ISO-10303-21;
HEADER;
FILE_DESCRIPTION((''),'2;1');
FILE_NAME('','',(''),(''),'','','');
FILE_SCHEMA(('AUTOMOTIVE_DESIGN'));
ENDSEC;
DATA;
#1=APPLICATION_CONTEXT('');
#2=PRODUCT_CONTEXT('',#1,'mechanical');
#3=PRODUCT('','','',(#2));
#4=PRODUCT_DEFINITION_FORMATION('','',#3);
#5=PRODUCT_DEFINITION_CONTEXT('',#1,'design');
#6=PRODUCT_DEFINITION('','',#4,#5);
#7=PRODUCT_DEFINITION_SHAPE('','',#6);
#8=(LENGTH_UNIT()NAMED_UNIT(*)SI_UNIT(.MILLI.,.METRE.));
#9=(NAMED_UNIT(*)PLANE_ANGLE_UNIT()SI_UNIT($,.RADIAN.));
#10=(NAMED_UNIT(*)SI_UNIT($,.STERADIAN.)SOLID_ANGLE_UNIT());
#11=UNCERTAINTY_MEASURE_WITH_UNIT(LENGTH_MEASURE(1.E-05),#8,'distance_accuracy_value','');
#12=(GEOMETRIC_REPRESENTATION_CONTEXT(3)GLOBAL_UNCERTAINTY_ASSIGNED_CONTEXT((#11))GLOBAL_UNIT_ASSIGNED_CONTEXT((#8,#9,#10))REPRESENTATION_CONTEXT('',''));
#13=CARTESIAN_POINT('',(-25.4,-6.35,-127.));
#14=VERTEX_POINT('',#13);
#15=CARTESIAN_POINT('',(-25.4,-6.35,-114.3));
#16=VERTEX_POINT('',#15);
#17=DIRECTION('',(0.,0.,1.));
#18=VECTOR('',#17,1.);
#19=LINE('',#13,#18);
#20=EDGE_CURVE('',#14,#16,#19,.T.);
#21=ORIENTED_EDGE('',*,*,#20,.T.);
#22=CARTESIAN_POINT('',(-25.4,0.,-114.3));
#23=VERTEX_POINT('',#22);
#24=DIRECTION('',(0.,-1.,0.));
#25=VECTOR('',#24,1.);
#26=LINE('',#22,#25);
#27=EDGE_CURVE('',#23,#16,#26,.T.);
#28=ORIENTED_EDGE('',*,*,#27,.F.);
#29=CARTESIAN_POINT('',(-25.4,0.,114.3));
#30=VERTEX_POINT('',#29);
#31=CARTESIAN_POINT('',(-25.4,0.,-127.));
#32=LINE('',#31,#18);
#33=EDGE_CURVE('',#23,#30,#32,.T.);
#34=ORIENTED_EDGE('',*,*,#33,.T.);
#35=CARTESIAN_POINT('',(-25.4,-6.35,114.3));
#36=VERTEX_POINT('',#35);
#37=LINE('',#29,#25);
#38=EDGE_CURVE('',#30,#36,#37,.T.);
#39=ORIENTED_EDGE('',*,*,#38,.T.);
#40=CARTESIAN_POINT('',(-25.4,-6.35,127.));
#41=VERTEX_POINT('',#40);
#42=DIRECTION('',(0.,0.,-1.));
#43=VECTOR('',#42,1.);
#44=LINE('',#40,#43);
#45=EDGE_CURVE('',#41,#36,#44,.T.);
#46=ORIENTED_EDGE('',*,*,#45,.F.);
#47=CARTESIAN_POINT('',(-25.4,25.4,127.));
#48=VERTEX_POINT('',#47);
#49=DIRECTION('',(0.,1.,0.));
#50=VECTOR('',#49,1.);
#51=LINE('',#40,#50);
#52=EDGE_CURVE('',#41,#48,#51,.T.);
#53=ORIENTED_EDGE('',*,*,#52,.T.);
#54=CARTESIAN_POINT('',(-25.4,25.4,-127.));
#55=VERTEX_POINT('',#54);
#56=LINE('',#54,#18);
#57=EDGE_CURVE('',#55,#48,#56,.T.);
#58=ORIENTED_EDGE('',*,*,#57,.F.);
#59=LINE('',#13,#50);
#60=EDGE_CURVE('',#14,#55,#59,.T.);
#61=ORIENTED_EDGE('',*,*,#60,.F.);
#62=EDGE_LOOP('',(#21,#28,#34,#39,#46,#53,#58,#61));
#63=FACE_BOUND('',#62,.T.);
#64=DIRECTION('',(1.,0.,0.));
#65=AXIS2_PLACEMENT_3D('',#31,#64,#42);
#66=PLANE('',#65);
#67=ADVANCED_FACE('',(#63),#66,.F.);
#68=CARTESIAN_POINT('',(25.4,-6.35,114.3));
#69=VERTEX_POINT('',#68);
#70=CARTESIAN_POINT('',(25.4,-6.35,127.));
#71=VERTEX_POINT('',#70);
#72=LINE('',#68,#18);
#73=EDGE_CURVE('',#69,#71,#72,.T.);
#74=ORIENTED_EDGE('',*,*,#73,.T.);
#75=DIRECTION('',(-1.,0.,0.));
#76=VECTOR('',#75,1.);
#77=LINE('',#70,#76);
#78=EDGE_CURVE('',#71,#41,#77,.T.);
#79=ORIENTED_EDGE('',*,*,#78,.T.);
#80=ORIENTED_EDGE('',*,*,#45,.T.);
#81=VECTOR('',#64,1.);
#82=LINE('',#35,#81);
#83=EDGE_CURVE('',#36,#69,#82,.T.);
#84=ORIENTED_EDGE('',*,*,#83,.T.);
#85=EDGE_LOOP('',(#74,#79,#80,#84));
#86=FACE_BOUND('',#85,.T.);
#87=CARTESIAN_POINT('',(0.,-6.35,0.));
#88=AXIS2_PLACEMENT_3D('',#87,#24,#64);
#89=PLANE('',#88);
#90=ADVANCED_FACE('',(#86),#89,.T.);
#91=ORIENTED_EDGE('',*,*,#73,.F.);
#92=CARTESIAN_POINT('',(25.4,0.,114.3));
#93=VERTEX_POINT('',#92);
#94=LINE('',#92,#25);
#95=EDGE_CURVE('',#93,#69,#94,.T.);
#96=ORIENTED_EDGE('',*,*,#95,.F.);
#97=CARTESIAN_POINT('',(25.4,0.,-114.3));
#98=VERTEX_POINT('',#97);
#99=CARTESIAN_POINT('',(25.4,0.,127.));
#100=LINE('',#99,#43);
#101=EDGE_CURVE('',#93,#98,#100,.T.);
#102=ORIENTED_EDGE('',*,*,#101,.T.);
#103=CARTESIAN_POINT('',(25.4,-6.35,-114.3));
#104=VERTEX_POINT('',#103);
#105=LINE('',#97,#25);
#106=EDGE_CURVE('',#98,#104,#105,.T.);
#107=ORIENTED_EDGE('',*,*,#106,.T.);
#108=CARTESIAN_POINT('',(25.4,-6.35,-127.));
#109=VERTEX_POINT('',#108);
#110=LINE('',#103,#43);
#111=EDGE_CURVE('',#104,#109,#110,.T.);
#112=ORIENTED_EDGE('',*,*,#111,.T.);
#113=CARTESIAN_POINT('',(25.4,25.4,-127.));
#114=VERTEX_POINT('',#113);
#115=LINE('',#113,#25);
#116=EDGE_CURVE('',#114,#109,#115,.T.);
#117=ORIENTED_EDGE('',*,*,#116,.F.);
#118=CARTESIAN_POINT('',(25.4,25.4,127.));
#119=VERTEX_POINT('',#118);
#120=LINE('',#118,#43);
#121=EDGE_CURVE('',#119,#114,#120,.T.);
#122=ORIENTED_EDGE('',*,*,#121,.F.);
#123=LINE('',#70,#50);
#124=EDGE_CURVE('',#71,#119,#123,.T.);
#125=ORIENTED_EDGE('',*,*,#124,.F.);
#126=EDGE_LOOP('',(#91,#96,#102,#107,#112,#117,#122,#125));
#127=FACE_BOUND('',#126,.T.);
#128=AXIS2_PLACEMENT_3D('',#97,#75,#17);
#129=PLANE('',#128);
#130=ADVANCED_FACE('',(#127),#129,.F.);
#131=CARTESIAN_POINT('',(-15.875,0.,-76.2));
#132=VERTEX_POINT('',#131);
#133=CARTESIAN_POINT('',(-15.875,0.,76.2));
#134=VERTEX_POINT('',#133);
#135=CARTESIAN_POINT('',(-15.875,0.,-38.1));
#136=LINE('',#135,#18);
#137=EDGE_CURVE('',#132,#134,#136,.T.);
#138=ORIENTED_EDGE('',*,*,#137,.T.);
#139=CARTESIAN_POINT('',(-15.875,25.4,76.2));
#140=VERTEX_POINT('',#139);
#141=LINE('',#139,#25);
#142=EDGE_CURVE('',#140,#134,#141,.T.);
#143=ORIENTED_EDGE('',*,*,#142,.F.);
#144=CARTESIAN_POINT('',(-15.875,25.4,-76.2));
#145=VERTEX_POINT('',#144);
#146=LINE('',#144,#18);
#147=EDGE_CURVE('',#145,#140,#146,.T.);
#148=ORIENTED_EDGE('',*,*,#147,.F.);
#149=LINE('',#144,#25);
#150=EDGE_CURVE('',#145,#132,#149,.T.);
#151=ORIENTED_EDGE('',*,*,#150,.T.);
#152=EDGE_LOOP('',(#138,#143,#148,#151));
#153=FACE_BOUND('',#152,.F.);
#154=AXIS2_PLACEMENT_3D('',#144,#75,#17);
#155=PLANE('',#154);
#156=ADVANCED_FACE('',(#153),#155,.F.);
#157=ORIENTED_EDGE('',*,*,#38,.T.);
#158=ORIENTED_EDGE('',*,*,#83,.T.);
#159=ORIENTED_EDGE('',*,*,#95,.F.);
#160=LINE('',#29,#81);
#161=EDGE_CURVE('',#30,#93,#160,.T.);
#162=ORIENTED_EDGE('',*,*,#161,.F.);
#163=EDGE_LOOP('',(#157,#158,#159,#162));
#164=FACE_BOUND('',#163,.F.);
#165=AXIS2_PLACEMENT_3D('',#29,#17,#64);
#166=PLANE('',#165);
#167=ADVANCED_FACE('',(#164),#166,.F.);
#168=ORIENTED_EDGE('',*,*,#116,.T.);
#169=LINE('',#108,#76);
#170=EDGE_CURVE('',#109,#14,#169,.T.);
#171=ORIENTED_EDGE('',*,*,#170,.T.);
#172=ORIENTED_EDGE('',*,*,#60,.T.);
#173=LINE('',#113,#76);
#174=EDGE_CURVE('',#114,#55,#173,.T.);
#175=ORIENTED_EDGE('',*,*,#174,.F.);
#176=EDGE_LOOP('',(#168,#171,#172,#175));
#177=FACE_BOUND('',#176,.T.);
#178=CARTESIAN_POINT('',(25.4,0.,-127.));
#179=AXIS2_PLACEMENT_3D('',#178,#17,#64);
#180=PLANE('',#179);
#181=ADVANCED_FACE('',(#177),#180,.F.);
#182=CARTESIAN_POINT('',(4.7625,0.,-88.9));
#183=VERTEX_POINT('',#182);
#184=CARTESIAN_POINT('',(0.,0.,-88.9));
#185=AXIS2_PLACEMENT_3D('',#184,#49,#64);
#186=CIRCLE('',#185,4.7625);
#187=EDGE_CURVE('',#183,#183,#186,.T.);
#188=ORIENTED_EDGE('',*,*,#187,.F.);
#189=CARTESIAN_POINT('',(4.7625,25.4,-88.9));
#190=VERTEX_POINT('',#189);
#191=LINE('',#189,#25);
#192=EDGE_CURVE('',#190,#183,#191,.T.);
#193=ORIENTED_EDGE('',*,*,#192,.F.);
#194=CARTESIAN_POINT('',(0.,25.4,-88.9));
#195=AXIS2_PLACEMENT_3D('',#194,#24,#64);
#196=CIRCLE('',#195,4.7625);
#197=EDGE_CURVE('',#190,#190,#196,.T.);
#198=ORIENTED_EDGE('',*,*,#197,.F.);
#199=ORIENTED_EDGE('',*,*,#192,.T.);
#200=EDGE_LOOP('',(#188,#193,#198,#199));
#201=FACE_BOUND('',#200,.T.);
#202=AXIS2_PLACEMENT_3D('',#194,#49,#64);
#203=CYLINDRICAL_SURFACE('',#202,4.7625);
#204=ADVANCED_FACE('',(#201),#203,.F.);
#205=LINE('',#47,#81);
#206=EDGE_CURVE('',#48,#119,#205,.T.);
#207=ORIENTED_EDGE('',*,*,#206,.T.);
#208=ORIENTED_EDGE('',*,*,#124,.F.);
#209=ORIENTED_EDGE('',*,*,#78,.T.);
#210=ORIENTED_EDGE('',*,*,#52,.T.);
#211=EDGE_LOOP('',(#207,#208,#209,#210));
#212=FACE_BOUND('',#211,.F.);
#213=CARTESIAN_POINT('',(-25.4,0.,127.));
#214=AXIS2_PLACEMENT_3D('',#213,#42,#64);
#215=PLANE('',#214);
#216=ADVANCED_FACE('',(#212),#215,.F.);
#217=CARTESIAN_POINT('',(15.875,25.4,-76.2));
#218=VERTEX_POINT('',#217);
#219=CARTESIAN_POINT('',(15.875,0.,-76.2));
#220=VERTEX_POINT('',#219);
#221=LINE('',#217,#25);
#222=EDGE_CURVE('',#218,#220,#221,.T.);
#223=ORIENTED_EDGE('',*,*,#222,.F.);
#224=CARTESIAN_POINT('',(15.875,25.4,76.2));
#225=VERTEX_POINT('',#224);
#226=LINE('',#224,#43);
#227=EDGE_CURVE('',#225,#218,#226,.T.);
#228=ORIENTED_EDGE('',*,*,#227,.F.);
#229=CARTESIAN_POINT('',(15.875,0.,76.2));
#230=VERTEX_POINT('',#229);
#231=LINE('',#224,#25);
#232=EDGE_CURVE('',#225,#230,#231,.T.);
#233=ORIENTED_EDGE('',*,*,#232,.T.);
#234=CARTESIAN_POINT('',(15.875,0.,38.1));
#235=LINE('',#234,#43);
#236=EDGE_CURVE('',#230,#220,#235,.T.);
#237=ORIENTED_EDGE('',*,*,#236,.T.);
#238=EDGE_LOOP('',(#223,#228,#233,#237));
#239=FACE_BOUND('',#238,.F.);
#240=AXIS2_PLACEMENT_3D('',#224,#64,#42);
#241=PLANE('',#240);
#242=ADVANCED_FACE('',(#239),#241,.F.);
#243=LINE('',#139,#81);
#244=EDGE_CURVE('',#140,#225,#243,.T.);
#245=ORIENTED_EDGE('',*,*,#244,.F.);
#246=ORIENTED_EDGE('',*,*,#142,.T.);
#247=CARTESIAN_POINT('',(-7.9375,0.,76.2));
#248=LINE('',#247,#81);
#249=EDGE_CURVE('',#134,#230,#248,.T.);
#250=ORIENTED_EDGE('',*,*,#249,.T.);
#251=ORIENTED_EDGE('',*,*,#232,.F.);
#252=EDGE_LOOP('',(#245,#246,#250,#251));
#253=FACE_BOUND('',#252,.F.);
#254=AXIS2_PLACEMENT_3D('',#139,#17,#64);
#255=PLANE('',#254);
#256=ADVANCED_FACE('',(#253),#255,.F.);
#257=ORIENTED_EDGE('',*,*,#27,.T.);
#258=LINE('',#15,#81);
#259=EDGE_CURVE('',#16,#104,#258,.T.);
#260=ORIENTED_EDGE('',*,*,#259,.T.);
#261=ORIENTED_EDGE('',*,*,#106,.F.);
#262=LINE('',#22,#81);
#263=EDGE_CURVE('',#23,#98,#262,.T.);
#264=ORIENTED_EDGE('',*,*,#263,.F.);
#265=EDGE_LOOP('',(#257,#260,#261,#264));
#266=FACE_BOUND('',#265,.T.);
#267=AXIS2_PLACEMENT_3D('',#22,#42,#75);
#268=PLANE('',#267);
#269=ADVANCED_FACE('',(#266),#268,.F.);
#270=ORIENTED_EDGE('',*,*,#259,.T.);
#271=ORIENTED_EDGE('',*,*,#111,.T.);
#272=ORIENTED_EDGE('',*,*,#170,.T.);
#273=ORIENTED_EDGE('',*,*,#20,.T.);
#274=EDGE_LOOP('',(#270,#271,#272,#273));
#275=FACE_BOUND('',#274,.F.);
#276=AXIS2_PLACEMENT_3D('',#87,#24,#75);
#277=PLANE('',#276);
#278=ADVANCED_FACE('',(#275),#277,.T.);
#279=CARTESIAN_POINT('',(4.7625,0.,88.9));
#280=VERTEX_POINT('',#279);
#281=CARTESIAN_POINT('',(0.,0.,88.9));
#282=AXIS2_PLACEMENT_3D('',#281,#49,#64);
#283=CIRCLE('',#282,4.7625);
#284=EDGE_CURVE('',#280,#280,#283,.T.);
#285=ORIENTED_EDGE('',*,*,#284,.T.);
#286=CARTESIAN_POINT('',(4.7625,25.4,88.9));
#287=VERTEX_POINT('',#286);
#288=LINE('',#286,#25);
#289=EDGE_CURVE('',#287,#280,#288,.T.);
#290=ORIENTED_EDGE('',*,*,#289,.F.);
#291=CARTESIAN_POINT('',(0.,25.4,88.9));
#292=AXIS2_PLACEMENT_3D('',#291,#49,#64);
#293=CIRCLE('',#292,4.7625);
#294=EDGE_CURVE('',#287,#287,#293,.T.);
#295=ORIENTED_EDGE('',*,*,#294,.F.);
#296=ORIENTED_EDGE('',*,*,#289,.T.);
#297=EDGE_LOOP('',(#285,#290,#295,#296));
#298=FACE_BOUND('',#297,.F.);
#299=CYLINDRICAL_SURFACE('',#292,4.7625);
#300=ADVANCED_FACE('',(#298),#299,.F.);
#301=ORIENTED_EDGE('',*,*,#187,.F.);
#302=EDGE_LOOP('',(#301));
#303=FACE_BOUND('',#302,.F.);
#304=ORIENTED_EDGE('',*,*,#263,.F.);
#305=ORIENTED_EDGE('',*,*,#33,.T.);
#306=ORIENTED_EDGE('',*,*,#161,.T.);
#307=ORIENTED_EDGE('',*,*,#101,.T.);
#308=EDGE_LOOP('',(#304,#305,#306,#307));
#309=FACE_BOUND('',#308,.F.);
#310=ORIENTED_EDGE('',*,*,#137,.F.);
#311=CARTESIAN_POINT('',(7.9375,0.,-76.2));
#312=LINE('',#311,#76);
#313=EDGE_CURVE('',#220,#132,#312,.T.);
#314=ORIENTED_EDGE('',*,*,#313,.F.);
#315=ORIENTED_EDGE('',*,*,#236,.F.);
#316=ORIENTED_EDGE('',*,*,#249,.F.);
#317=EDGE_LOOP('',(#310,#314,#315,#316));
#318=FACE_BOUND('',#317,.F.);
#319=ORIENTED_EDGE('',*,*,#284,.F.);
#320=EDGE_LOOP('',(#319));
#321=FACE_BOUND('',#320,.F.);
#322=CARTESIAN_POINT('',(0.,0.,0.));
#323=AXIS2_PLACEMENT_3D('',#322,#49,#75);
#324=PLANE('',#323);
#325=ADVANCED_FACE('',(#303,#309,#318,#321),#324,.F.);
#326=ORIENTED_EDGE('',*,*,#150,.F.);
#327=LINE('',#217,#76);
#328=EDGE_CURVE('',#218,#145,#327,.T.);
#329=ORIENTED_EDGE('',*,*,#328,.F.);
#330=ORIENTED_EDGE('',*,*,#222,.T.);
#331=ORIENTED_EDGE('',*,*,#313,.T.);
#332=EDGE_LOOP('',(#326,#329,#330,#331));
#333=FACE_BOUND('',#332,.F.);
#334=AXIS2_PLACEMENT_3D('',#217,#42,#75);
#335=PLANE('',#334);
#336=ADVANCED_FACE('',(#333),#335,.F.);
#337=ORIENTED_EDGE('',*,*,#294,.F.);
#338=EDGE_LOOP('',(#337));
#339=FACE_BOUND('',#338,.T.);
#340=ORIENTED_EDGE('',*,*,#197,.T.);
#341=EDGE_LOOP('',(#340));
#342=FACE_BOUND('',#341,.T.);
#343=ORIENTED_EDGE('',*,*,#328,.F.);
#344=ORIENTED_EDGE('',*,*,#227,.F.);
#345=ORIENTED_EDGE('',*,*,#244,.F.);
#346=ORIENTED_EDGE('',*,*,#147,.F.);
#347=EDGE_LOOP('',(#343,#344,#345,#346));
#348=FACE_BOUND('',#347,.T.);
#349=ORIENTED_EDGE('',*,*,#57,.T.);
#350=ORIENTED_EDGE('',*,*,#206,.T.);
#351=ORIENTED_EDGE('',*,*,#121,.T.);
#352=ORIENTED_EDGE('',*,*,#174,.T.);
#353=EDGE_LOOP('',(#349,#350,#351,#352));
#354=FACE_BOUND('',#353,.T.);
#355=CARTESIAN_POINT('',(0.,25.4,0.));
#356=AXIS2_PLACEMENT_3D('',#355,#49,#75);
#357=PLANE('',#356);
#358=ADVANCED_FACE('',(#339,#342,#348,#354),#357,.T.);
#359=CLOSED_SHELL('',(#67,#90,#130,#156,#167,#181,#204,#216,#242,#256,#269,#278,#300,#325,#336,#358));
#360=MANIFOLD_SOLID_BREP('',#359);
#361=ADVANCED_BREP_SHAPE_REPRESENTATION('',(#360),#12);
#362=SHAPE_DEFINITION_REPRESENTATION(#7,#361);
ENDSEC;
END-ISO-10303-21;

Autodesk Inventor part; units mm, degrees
ref_plane "YZ Plane" through (0, 0, 0) normal (1, 0, 0) x (0, 1, 0)
ref_plane "XZ Plane" through (0, 0, 0) normal (0, 1, 0) x (-1, 0, 0)
sketch "Sketch1" plane through (0, 0, 0) normal (0, 1, 0) x (-1, 0, 0)
  line L0 (25.4, 127) -> (-25.4, 127)
  line L1 (-25.4, 127) -> (-25.4, -127)
  line L2 (-25.4, -127) -> (25.4, -127)
  line L3 (25.4, -127) -> (25.4, 127)
  line L4 (25.4, 127) -> (-25.4, -127) construction
  line L5 (-25.4, 127) -> (25.4, -127) construction
  point P0 (0, 0)
  dimension "d0" = 50.8
  dimension "d1" = 254
extrude "Extrusion1" add sketch "Sketch1" along normal blind 25.4
sketch "Sketch2" plane through (0, 0, 0) normal (0, -1, 0) x (1, 0, 0)
  line L0 (-25.4, 127) -> (-25.4, 114.3)
  line L1 (-25.4, 114.3) -> (25.4, 114.3)
  line L2 (25.4, 114.3) -> (25.4, 127)
  line L3 (25.4, 127) -> (-25.4, 127)
  line L4 (-25.4, 127) -> (25.4, 114.3) construction
  line L5 (-25.4, 114.3) -> (25.4, 127) construction
  line L6 (-25.4, 127) -> (25.4, 127) projected
  point P0 (0, 0)
  point P1 (0, 120.65)
  dimension "d4" = 12.7
  dimension "d5" = 25.4
  dimension "d6" = 0
extrude "Extrusion2" add sketch "Sketch2" along normal blind 6.35
mirror "Mirror1" about plane through (0, 0, 0) normal (0, 0, 1) of "Extrusion2"
sketch "Sketch3" plane through (0, 25.4, 0) normal (0, 1, 0) x (1, 0, 0)
  circle A0 centre (0, -88.9) radius 4.7625
  line L0 (-25.4, -127) -> (25.4, -127) projected
  point P0 (0, 0)
  dimension "d9" = 9.525
  dimension "d10" = 38.1
extrude "Extrusion3" cut sketch "Sketch3" against normal through all
mirror "Mirror2" about plane through (0, 0, 0) normal (0, 0, 1) of "Extrusion3"
sketch "Sketch4" plane through (0, 25.4, 0) normal (0, 1, 0) x (1, 0, 0)
  line L0 (-15.875, -76.2) -> (15.875, -76.2)
  line L1 (15.875, -76.2) -> (15.875, 76.2)
  line L2 (15.875, 76.2) -> (-15.875, 76.2)
  line L3 (-15.875, 76.2) -> (-15.875, -76.2)
  line L4 (-15.875, -76.2) -> (15.875, 76.2) construction
  line L5 (15.875, -76.2) -> (-15.875, 76.2) construction
  line L6 (-25.4, 127) -> (-25.4, -127) projected
  line L7 (-25.4, -127) -> (25.4, -127) projected
  point P0 (0, 0)
  dimension "d13" = 9.525
  dimension "d14" = 50.8
extrude "Extrusion4" cut sketch "Sketch4" against normal through all
properties part number "BandSawJigTop" material "LCP Plastic"
